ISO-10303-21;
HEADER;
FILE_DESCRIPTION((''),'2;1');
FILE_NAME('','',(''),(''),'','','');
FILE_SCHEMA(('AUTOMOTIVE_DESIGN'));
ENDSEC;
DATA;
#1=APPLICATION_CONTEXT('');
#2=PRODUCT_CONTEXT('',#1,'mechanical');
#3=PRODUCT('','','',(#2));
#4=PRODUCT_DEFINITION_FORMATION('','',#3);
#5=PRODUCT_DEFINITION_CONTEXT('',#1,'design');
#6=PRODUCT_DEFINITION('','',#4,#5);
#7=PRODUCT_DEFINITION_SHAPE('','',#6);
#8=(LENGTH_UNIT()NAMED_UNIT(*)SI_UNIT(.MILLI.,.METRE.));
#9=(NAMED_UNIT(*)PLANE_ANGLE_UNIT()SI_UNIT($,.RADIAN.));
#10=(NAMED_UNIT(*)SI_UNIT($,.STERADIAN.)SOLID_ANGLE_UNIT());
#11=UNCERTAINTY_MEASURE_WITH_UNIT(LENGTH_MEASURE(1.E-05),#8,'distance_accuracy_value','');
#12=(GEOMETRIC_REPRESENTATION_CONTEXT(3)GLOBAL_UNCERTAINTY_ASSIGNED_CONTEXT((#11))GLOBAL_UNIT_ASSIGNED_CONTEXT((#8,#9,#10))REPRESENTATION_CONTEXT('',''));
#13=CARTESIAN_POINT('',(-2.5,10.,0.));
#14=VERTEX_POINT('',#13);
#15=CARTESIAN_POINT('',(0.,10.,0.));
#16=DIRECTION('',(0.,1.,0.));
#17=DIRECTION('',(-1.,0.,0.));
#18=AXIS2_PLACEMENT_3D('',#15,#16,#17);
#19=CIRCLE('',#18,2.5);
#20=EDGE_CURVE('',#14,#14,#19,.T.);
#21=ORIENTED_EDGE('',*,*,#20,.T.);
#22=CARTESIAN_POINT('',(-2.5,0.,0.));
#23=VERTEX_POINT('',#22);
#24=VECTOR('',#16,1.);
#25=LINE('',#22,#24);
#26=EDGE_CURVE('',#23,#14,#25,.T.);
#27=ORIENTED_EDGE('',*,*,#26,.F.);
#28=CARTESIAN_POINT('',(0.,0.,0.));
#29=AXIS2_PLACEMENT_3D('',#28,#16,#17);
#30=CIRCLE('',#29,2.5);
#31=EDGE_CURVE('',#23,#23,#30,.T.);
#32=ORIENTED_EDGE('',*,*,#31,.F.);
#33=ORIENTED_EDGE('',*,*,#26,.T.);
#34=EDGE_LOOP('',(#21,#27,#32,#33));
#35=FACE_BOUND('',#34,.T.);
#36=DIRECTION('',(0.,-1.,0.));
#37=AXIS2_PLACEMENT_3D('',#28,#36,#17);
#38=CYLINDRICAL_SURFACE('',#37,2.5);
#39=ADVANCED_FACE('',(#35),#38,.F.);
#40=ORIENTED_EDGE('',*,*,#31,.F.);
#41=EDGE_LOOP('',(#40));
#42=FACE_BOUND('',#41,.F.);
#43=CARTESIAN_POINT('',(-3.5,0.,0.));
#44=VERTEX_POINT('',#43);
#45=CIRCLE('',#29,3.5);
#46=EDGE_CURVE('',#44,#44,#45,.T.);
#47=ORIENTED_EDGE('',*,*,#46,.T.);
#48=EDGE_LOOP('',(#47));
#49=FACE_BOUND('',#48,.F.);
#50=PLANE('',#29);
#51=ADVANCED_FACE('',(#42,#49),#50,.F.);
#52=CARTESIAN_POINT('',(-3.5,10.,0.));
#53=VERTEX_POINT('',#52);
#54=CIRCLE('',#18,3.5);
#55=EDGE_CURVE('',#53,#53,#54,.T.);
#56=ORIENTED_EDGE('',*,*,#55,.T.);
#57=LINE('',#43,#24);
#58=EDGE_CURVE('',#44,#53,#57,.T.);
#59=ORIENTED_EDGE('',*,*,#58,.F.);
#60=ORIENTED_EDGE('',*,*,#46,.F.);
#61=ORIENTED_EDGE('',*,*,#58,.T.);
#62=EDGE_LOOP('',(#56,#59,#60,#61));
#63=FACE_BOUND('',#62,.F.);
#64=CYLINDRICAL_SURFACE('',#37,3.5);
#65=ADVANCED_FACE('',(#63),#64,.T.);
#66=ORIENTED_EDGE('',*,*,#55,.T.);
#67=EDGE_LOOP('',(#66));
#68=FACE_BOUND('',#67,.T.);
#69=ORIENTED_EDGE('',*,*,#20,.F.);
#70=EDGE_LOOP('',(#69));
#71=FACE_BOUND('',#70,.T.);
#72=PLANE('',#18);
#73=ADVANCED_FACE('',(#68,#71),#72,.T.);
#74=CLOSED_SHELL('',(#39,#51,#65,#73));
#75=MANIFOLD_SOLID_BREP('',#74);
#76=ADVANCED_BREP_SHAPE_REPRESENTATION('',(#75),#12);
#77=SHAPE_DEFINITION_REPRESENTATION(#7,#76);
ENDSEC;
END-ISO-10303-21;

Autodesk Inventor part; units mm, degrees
ref_plane "YZ Plane" through (0, 0, 0) normal (1, 0, 0) x (0, 1, 0)
ref_plane "XZ Plane" through (0, 0, 0) normal (0, 1, 0) x (-1, 0, 0)
ref_plane "XY Plane" through (0, 0, 0) normal (0, 0, 1) x (1, 0, 0)
sketch "Sketch1" plane through (0, 0, 0) normal (0, 1, 0) x (-1, 0, 0)
  circle A0 centre (0, 0) radius 2.5
  circle A1 centre (0, 0) radius 3.5
  dimension "d0" = 5
  dimension "d1" = 7
extrude "Extrusion1" add sketch "Sketch1" along normal blind 10
properties part number "10mmSpacer"
